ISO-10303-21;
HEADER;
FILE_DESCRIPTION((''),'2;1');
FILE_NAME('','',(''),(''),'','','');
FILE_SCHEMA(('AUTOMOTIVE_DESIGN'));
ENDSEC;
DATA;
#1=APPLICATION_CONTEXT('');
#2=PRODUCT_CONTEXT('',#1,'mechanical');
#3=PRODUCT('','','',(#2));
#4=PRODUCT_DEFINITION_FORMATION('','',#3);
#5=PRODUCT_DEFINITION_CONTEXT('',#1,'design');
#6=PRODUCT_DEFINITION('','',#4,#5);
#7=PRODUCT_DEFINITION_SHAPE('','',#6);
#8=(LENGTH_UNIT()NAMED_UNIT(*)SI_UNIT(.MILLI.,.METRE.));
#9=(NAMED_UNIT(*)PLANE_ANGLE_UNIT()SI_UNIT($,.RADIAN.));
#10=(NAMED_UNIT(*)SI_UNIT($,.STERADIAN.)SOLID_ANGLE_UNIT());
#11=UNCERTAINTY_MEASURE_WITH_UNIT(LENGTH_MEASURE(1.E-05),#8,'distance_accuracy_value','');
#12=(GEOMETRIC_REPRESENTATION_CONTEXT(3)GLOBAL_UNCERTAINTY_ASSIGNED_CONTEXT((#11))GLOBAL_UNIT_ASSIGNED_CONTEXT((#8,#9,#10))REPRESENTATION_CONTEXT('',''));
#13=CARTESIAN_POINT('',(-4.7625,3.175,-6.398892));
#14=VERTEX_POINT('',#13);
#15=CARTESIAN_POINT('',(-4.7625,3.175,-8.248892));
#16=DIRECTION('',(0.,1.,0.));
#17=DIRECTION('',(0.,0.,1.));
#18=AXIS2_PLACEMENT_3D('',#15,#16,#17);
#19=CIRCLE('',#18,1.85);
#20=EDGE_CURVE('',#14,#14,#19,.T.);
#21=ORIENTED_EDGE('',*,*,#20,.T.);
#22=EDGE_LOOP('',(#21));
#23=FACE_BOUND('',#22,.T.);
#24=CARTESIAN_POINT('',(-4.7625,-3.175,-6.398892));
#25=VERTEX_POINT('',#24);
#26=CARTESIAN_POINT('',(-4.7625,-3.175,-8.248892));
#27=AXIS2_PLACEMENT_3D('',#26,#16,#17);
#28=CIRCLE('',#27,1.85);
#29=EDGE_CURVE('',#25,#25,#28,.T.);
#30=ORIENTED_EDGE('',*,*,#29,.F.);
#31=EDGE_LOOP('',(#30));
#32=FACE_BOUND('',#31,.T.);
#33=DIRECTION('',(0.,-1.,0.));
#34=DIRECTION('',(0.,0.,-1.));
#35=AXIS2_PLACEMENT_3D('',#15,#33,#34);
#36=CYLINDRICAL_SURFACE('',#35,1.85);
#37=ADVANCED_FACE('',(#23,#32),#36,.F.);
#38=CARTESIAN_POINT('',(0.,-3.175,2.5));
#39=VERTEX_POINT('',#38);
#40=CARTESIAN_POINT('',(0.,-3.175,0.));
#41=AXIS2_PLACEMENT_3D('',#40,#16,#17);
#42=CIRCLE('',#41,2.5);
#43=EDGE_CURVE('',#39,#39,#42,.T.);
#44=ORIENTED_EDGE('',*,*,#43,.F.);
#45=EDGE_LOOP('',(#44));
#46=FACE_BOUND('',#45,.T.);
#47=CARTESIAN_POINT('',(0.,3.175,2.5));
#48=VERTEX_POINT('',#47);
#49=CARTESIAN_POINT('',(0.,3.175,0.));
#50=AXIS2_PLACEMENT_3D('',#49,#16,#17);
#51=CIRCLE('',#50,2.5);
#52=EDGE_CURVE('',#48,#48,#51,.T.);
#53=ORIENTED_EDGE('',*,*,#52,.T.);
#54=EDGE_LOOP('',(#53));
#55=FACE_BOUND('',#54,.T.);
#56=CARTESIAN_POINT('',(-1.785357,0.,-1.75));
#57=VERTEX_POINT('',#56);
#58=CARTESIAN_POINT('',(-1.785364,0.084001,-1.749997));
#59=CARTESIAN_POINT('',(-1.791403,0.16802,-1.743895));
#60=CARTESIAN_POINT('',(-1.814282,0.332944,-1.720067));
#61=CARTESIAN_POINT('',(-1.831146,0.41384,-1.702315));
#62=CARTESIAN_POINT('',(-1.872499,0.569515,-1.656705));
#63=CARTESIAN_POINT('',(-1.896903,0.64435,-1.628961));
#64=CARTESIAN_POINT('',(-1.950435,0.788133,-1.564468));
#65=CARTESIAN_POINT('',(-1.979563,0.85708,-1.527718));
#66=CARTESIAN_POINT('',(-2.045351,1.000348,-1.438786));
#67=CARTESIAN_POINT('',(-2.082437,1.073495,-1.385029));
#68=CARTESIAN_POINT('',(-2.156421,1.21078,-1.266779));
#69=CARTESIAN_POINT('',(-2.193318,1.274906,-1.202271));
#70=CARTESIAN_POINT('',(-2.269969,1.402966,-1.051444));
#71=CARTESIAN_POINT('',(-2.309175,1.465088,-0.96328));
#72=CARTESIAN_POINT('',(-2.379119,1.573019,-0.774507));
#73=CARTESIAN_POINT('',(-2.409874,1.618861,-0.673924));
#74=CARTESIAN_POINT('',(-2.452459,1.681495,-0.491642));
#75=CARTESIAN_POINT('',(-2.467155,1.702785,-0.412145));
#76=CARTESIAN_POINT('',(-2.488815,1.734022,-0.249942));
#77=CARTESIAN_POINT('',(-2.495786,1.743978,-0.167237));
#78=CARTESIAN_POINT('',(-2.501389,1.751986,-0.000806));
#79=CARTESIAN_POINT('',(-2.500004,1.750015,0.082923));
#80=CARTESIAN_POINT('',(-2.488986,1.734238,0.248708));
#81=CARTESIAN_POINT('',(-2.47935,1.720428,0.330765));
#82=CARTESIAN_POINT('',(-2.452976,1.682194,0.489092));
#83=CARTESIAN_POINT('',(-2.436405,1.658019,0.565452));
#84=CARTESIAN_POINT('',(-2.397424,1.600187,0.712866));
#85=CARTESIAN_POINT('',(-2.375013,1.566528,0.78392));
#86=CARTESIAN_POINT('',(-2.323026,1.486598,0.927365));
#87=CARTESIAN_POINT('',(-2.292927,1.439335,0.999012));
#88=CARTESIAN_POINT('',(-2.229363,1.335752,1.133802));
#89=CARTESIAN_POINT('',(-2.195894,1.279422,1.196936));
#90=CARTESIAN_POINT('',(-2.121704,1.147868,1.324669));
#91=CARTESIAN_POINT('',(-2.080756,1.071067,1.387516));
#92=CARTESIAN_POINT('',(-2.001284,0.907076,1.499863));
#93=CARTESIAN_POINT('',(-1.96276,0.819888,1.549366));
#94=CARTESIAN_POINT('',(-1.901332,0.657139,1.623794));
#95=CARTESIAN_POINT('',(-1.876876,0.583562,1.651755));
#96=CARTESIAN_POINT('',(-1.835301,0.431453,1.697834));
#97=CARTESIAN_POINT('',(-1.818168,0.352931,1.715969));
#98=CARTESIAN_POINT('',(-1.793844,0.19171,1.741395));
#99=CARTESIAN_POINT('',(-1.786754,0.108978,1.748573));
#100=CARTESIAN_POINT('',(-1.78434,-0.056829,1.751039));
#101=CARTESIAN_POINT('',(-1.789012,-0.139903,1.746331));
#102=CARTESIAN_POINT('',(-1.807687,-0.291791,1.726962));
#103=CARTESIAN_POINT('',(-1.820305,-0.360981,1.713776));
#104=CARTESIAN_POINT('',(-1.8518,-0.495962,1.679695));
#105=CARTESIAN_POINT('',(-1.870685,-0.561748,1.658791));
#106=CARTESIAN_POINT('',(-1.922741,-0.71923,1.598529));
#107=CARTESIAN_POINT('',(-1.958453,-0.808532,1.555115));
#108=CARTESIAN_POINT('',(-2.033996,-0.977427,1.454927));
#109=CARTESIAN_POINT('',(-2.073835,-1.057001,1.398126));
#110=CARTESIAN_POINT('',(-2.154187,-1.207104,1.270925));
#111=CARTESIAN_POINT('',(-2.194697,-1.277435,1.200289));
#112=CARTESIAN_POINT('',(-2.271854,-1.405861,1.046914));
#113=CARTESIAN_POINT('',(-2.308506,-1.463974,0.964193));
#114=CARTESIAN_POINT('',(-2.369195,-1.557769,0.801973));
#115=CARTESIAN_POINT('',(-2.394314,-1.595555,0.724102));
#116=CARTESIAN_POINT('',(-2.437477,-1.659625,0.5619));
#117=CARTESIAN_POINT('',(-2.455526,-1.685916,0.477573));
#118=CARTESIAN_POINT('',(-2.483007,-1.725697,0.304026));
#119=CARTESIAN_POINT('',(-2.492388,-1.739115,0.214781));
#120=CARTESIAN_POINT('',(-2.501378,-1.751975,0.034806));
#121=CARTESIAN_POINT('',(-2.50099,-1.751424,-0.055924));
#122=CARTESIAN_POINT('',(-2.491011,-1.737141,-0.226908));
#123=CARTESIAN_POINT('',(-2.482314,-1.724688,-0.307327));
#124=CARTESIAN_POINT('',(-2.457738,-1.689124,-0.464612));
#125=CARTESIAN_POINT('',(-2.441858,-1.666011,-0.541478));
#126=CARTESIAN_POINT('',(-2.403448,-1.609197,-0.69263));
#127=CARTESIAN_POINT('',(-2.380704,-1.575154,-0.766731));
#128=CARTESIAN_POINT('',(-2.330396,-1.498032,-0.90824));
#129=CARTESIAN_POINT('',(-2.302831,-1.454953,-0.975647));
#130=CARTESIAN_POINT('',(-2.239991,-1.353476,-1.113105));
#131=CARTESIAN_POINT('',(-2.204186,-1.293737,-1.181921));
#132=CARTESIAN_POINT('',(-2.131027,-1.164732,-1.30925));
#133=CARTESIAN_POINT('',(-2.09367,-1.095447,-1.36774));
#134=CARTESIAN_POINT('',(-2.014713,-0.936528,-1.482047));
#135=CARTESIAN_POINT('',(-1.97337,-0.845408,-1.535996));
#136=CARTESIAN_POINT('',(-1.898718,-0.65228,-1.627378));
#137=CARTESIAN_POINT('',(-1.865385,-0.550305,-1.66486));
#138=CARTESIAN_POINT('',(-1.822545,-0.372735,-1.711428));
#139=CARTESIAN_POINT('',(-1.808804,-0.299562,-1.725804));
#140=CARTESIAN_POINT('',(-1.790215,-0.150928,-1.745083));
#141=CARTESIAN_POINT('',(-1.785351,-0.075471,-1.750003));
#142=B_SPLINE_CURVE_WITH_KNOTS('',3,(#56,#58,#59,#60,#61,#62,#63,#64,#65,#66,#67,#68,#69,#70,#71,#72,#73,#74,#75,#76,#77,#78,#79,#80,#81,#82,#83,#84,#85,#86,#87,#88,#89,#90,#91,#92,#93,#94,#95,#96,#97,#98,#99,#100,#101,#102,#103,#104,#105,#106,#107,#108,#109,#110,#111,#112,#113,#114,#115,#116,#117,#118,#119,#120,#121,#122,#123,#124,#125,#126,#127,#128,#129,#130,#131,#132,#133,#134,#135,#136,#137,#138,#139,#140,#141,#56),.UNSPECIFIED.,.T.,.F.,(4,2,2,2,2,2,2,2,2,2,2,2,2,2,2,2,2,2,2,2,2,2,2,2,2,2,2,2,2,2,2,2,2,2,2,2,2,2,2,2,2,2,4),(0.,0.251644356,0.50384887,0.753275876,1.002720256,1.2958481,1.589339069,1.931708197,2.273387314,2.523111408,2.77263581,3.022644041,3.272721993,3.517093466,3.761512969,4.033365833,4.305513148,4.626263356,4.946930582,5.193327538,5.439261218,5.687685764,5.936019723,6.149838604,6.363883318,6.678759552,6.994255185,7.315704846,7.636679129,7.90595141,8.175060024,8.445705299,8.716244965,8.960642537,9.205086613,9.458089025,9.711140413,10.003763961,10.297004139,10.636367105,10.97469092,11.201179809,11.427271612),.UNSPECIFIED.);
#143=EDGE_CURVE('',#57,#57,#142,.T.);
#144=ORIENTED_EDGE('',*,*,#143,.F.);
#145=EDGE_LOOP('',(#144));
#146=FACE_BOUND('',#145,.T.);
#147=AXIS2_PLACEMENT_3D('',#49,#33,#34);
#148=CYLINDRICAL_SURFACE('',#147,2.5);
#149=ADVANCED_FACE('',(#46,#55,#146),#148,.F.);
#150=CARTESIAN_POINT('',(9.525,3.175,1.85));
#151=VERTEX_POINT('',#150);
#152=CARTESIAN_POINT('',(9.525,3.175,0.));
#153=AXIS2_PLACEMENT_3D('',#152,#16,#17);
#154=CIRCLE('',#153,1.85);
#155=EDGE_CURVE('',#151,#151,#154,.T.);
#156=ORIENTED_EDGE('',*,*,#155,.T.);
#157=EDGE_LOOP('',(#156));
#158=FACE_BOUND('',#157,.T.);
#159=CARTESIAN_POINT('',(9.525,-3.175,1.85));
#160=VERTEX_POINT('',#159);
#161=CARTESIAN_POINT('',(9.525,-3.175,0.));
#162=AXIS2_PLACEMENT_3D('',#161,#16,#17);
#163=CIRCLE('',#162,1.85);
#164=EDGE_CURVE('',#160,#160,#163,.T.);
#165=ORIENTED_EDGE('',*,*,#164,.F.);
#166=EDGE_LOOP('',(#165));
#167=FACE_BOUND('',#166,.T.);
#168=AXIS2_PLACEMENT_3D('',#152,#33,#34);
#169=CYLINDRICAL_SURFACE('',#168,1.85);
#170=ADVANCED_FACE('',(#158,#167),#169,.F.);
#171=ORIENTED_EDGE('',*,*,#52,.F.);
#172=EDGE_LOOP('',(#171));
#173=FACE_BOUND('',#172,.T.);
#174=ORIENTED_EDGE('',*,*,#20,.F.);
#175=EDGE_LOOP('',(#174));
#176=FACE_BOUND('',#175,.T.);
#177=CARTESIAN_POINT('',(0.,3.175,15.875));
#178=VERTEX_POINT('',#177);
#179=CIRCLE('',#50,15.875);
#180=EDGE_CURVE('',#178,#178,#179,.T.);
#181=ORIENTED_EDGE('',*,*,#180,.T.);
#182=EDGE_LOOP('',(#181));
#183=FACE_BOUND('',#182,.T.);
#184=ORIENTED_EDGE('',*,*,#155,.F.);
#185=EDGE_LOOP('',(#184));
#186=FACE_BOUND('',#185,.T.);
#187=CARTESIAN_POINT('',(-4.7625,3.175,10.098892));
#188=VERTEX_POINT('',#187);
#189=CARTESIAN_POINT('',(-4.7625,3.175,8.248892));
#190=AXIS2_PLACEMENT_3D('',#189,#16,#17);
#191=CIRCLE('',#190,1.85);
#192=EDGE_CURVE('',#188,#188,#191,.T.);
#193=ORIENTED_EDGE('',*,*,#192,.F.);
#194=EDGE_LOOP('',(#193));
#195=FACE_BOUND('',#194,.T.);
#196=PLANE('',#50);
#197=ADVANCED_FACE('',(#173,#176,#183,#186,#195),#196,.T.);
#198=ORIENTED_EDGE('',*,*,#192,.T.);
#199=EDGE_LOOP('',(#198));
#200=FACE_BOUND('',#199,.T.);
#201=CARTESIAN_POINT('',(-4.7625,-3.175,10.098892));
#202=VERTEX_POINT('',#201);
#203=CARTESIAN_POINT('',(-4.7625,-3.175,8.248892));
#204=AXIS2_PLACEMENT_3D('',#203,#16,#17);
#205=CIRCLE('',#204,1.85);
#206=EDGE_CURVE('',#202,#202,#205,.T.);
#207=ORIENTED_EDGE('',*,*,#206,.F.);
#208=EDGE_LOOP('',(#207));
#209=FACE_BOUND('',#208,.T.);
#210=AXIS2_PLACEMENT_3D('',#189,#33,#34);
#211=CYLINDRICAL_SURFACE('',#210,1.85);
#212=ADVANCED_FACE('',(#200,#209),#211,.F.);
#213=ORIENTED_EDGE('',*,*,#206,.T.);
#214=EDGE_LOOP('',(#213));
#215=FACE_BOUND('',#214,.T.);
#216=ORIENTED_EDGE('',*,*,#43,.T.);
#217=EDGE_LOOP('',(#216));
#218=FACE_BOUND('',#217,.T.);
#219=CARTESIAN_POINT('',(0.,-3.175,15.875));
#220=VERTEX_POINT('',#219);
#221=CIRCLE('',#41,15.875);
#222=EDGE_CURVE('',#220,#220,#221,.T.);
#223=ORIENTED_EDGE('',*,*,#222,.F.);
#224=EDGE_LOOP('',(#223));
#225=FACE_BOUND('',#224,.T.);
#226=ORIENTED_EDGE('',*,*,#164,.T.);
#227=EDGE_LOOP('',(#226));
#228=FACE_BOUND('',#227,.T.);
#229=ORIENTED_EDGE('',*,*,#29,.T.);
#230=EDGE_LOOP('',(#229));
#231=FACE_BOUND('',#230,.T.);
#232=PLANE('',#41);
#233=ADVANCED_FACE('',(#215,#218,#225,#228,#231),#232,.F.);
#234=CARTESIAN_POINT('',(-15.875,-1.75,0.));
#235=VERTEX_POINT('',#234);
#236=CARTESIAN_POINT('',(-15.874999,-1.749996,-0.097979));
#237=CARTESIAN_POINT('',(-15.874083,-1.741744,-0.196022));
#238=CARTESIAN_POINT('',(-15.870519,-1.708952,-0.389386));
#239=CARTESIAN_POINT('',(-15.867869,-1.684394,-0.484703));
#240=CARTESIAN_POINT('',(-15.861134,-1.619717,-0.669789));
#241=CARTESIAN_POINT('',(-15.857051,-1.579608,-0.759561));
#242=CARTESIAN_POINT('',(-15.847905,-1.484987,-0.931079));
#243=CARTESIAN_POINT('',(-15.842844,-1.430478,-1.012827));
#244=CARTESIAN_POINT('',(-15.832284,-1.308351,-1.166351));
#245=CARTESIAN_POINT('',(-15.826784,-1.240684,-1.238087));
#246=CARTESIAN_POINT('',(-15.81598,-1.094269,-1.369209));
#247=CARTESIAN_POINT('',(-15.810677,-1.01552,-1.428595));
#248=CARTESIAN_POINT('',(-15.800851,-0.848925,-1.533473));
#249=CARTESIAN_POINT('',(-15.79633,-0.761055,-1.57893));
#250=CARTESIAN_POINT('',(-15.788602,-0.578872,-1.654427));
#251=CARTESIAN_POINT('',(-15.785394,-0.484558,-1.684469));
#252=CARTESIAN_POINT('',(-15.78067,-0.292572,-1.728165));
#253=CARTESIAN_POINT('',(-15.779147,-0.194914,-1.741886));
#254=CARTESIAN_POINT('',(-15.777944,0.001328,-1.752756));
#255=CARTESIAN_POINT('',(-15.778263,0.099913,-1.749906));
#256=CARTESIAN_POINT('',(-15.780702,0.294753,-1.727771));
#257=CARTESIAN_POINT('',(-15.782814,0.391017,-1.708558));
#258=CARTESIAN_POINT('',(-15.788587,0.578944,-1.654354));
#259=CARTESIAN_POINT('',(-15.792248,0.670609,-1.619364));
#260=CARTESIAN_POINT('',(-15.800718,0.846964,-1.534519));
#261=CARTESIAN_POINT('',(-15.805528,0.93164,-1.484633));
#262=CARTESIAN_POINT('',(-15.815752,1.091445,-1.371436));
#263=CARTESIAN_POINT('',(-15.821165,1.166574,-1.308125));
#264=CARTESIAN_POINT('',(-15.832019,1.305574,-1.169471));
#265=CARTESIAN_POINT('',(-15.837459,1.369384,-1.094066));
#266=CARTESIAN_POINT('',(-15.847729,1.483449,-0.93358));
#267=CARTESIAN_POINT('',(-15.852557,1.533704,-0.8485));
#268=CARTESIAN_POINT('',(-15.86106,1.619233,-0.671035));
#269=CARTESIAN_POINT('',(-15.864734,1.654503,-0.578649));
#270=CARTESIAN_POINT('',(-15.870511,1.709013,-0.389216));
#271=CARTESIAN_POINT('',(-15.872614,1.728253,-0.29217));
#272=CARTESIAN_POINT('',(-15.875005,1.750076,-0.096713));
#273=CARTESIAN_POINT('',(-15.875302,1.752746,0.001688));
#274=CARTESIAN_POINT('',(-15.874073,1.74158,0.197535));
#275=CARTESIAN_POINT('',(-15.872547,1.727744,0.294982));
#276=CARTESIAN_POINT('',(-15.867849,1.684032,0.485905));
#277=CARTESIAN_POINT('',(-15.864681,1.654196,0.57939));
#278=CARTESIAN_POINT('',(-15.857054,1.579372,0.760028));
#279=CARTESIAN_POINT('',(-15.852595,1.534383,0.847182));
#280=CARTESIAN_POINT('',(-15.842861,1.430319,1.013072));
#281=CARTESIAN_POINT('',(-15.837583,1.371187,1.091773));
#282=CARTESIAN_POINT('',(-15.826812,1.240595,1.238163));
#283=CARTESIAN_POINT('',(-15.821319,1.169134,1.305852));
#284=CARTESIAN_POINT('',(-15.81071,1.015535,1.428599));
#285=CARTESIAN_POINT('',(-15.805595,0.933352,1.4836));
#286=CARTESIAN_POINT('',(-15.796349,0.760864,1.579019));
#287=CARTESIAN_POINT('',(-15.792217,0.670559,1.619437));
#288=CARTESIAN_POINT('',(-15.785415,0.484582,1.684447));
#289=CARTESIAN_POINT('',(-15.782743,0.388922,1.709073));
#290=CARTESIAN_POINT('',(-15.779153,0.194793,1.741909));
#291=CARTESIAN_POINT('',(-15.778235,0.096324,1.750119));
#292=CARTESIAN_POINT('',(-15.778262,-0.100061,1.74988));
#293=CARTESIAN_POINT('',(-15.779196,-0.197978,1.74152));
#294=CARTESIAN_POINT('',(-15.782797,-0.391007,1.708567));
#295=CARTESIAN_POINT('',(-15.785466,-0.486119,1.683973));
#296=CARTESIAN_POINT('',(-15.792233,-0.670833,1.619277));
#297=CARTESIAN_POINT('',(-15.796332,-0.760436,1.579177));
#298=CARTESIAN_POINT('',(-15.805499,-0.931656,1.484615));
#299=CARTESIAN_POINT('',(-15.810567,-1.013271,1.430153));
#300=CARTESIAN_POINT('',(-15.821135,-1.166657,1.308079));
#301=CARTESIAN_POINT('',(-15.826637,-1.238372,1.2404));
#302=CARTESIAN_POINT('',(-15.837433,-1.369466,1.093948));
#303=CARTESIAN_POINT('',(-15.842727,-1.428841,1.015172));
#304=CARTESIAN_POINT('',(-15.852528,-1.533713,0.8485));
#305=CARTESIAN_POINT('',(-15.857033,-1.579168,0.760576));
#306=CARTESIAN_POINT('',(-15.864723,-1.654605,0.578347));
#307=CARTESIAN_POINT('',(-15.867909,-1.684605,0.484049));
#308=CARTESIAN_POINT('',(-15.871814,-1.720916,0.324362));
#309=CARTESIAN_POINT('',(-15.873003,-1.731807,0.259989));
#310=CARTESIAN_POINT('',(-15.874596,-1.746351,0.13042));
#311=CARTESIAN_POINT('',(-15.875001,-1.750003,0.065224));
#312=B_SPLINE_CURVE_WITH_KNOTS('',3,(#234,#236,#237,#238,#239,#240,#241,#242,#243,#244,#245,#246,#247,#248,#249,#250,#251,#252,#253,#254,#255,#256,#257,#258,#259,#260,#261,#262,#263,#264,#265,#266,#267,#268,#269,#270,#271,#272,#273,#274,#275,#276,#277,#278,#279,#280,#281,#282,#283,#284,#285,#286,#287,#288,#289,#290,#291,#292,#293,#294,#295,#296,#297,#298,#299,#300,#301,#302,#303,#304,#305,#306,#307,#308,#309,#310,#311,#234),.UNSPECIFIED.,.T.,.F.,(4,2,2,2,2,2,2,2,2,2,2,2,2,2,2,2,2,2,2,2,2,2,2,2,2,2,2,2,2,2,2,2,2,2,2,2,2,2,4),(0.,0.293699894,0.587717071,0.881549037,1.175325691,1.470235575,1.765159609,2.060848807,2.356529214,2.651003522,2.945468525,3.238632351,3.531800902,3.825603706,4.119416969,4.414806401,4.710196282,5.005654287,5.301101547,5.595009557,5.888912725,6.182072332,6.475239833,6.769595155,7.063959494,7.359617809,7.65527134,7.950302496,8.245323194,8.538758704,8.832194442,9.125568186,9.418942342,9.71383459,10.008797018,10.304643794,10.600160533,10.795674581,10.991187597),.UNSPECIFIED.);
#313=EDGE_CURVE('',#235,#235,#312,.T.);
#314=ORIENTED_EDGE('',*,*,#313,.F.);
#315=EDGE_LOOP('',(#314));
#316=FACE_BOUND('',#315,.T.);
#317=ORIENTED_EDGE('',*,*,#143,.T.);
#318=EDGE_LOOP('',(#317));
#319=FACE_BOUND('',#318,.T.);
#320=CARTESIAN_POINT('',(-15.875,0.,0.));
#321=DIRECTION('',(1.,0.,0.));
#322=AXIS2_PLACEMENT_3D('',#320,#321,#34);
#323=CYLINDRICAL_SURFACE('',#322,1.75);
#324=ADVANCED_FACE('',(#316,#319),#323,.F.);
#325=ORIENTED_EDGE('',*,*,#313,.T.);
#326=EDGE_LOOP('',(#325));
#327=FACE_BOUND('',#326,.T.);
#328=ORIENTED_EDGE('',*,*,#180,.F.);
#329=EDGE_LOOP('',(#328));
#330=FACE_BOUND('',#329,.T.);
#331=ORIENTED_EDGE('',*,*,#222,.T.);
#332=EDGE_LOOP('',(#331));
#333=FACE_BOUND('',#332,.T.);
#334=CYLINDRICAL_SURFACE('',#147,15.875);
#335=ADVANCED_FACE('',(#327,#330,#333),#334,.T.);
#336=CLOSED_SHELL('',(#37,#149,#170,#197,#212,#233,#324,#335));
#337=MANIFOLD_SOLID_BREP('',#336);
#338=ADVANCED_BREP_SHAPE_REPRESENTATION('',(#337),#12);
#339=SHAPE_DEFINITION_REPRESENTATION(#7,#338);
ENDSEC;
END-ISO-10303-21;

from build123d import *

# Parameters (mm, degrees)
SKETCH1_R           = 15.875
SKETCH1_R_2         = 2.499999953
SKETCH1_R_3         = 1.849999983
BOSS_EXTRUDE2_DEPTH = 3.175
SKETCH3_R           = 1.750000056
CUT_EXTRUDE1_DEPTH  = 23.674035261


with BuildPart() as part:
    # Sketch1 → Boss-Extrude2 (new, symmetric)
    with BuildSketch(Plane(origin=(0, 0, 0), x_dir=(1, 0, 0), z_dir=(0, 1, 0))):
        with Locations(Location((0, 0, 0), (0, 0, 270))):
            Circle(SKETCH1_R)
        with Locations(Location((0, 0, 0), (0, 0, 270))):
            Circle(SKETCH1_R_2, mode=Mode.SUBTRACT)
        with Locations(Location((9.525, 0, 0), (0, 0, 270))):
            Circle(SKETCH1_R_3, mode=Mode.SUBTRACT)
        with Locations(Location((-4.7625, -8.248891971, 0), (0, 0, 270))):
            Circle(SKETCH1_R_3, mode=Mode.SUBTRACT)
        with Locations(Location((-4.7625, 8.248891971, 0), (0, 0, 270))):
            Circle(SKETCH1_R_3, mode=Mode.SUBTRACT)
    extrude(amount=BOSS_EXTRUDE2_DEPTH, both=True)

    # Sketch3 → Cut-Extrude1 (cut, through all)
    with BuildSketch(Plane(origin=(0, 0, 0), x_dir=(0, 0, -1), z_dir=(1, 0, 0))):
        Circle(SKETCH3_R)
    extrude(amount=-CUT_EXTRUDE1_DEPTH, mode=Mode.SUBTRACT)


solid = part.part
